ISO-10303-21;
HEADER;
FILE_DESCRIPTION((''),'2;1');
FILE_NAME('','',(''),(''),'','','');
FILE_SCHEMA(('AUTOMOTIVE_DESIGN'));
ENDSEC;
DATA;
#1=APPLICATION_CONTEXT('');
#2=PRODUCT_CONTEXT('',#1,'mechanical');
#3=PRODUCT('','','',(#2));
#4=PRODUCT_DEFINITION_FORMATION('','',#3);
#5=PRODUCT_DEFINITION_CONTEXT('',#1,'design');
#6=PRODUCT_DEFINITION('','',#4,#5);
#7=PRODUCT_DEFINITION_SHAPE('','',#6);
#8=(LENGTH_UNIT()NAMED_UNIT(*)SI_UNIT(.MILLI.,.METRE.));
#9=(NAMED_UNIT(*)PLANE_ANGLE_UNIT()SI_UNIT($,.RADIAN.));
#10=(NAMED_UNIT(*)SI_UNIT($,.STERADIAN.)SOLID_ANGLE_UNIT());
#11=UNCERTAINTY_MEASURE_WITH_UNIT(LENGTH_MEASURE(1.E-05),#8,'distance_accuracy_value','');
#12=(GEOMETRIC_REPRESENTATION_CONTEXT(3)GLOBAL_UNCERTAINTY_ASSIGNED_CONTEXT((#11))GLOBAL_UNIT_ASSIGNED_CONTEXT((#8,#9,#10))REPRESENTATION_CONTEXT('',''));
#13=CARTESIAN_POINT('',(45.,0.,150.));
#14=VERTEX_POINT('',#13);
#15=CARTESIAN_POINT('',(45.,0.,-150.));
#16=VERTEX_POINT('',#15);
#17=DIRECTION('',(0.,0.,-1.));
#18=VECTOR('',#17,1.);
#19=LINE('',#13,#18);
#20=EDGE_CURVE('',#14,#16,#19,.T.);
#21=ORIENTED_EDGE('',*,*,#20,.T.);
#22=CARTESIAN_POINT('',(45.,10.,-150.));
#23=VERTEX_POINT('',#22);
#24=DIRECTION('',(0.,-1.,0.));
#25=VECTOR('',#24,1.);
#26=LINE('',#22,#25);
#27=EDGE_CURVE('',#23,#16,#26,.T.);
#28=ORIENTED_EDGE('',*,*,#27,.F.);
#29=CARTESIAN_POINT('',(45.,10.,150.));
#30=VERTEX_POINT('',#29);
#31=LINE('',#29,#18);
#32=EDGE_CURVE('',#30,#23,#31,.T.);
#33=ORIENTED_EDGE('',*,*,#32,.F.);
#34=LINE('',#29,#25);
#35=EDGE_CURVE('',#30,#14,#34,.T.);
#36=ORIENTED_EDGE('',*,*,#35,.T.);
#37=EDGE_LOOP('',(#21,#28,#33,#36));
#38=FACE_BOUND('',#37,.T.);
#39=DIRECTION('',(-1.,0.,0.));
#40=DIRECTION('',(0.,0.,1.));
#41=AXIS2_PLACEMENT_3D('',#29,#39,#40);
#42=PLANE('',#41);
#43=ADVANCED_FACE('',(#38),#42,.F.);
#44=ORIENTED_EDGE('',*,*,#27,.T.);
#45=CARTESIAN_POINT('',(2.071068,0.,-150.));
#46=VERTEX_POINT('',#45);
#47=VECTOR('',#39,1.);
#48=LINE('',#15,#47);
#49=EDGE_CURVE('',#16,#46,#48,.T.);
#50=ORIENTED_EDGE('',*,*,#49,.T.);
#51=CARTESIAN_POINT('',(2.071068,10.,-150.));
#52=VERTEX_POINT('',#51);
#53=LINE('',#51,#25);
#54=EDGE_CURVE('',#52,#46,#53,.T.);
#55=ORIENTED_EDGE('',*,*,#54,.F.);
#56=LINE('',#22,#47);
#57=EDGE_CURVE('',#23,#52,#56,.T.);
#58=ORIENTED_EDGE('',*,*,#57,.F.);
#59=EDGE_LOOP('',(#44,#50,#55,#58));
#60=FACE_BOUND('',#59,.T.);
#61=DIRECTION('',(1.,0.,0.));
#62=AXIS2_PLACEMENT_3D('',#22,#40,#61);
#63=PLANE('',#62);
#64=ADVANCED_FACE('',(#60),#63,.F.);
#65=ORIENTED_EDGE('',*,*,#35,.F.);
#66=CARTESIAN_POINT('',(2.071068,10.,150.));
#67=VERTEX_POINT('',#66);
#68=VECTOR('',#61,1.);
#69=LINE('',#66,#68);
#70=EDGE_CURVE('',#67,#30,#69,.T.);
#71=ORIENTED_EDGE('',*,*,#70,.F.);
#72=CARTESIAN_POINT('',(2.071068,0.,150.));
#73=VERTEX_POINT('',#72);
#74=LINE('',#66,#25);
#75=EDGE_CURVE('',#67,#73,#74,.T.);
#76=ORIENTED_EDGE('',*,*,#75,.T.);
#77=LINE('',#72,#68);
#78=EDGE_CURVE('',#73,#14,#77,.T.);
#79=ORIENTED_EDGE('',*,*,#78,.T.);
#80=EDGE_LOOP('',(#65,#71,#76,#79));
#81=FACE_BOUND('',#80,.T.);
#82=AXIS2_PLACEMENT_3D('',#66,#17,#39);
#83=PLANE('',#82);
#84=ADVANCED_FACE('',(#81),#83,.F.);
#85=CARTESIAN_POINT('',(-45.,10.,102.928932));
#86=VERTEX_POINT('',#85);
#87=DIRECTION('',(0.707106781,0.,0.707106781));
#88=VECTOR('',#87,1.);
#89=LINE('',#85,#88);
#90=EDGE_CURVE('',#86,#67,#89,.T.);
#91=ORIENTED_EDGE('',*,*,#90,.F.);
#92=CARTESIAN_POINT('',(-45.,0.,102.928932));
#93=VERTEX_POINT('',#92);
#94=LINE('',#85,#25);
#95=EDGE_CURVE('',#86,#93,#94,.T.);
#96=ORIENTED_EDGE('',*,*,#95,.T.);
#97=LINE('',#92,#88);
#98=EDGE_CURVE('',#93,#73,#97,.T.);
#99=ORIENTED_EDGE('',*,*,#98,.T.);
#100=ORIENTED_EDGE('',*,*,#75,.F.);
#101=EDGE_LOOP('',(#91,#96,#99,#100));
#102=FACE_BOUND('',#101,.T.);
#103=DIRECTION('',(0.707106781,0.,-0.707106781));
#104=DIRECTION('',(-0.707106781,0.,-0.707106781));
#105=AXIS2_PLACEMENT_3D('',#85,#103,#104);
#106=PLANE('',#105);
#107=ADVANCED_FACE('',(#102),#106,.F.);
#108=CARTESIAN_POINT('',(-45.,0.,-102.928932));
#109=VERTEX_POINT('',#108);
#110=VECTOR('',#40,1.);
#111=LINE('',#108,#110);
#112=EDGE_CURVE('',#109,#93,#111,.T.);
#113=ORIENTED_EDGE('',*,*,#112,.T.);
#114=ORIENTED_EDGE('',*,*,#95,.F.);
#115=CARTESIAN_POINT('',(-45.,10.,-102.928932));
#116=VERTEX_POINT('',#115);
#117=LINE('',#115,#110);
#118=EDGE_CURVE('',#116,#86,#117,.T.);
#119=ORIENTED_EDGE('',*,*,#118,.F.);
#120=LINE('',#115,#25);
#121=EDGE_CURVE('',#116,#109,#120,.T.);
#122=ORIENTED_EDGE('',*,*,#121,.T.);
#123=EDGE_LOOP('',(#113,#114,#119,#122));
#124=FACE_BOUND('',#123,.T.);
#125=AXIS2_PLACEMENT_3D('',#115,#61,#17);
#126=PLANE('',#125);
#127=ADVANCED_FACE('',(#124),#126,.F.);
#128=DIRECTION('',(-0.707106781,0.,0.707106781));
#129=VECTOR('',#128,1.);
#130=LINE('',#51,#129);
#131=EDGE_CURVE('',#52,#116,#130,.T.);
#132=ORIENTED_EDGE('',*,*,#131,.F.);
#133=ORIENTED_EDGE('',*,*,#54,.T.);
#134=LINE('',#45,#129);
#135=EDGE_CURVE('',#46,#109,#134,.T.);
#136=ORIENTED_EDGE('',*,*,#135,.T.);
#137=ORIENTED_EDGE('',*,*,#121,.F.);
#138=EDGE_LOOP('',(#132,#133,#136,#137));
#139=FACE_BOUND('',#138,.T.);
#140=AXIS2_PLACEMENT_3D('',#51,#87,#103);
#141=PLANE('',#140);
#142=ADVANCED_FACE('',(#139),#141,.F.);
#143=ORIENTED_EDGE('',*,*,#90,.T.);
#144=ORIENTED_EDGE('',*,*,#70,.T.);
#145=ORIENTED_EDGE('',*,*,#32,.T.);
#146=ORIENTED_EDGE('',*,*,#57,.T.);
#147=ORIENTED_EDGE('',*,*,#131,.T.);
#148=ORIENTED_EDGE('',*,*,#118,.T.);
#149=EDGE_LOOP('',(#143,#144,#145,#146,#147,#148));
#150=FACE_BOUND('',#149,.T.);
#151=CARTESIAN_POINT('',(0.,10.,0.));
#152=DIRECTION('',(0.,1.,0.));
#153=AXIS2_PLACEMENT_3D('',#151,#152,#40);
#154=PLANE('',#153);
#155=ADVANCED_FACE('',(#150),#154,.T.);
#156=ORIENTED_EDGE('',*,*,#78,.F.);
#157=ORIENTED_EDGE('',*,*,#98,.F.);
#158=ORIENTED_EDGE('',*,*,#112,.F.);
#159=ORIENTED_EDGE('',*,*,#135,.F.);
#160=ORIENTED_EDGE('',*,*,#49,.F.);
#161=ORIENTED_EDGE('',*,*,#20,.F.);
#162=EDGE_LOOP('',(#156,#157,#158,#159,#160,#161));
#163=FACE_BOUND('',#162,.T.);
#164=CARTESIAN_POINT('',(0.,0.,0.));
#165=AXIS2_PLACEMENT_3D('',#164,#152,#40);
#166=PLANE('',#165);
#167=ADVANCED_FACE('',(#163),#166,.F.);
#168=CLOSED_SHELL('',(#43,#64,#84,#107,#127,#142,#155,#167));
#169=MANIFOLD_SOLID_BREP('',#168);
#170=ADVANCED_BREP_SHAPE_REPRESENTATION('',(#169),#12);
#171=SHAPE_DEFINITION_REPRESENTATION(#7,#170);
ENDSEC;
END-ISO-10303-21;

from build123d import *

# Parameters (mm, degrees)
BOSS_EXTRUDE1_DEPTH = 10


with BuildPart() as part:
    # Sketch1 → Boss-Extrude1 (new body)
    with BuildSketch(Plane(origin=(0, 0, 0), x_dir=(1, 0, 0), z_dir=(0, 1, 0))):
        Polygon((45, 150), (2.071067812, 150), (-45, 102.928932188), (-45, -102.928932188), (2.071067812, -150), (45, -150), align=None)
    extrude(amount=BOSS_EXTRUDE1_DEPTH)


solid = part.part
